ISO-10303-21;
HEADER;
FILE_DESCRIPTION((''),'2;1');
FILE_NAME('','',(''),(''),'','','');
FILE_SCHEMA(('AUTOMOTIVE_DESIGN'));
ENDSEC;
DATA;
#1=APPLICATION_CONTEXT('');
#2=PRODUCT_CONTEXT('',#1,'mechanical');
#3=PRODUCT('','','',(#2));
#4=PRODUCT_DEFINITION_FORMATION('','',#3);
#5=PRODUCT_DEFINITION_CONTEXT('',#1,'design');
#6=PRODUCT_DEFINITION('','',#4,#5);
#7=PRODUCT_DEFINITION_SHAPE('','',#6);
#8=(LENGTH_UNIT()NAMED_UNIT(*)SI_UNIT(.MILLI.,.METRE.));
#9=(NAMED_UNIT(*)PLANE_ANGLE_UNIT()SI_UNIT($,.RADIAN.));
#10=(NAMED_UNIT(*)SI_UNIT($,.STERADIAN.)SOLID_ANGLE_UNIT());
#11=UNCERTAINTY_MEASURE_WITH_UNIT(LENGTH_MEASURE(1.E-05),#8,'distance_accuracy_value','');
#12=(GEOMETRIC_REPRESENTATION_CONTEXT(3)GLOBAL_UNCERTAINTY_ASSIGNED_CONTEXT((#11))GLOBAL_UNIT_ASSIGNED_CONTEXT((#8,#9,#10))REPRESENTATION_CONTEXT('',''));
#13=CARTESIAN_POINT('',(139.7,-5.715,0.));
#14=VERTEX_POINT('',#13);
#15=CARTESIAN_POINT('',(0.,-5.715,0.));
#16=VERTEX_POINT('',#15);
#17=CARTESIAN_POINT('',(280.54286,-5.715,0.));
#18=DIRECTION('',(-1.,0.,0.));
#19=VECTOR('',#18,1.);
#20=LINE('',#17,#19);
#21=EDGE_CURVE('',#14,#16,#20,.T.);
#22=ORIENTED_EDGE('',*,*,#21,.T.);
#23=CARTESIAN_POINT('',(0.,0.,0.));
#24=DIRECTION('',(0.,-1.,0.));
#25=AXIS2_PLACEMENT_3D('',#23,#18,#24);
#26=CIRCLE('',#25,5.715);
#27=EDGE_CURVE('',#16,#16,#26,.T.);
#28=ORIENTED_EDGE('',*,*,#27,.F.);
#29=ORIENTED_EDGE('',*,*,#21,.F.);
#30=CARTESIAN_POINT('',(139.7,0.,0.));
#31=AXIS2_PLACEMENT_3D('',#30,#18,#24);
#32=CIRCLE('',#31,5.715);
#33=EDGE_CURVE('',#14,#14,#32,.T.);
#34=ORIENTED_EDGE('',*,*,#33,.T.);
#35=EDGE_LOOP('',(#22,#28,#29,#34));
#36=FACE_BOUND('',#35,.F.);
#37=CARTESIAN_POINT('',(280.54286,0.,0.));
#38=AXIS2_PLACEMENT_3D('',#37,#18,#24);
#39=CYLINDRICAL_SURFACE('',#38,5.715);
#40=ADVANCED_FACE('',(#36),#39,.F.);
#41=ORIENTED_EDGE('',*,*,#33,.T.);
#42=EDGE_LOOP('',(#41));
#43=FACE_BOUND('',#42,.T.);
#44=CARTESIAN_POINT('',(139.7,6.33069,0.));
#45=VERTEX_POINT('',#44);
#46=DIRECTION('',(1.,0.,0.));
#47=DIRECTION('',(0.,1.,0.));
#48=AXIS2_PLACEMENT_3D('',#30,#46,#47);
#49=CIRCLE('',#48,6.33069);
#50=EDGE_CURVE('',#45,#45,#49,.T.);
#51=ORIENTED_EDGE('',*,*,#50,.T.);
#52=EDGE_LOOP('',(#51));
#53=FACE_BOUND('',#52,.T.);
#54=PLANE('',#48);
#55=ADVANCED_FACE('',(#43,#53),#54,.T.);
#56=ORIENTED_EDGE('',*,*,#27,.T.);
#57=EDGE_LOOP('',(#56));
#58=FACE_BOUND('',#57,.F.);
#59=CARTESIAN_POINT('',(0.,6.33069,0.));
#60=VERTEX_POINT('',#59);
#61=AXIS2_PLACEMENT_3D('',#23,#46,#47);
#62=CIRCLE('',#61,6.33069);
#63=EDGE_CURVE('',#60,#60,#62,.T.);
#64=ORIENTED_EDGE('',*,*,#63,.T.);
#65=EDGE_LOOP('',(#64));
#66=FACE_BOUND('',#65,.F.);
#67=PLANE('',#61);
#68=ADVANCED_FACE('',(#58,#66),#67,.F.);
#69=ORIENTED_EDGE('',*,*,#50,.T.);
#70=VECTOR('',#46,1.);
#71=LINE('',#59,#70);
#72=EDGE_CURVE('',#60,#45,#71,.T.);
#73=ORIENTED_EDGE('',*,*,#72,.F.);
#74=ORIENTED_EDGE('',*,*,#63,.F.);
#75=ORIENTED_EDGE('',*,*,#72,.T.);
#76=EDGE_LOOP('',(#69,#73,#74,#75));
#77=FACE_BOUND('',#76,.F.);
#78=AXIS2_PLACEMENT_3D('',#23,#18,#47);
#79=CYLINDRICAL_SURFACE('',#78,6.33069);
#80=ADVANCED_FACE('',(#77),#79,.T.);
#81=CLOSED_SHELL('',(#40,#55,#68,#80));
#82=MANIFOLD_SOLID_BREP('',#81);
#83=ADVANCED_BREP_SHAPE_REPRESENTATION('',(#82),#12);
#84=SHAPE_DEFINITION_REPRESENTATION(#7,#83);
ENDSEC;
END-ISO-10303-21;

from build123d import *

# Parameters (mm, degrees)
F0_R     = 6.33069
F1_DEPTH = 139.7
F3_D     = 11.43


with BuildPart() as f1:
    # F0 (on Right) → F1 (new body)
    with BuildSketch(Plane.YZ):
        Circle(F0_R)
    extrude(amount=F1_DEPTH)

    # F3 (through all)
    with Locations(Plane.YZ.offset(139.7)):
        with Locations((0, 0)):
            Hole(F3_D / 2)


solid = f1.part
